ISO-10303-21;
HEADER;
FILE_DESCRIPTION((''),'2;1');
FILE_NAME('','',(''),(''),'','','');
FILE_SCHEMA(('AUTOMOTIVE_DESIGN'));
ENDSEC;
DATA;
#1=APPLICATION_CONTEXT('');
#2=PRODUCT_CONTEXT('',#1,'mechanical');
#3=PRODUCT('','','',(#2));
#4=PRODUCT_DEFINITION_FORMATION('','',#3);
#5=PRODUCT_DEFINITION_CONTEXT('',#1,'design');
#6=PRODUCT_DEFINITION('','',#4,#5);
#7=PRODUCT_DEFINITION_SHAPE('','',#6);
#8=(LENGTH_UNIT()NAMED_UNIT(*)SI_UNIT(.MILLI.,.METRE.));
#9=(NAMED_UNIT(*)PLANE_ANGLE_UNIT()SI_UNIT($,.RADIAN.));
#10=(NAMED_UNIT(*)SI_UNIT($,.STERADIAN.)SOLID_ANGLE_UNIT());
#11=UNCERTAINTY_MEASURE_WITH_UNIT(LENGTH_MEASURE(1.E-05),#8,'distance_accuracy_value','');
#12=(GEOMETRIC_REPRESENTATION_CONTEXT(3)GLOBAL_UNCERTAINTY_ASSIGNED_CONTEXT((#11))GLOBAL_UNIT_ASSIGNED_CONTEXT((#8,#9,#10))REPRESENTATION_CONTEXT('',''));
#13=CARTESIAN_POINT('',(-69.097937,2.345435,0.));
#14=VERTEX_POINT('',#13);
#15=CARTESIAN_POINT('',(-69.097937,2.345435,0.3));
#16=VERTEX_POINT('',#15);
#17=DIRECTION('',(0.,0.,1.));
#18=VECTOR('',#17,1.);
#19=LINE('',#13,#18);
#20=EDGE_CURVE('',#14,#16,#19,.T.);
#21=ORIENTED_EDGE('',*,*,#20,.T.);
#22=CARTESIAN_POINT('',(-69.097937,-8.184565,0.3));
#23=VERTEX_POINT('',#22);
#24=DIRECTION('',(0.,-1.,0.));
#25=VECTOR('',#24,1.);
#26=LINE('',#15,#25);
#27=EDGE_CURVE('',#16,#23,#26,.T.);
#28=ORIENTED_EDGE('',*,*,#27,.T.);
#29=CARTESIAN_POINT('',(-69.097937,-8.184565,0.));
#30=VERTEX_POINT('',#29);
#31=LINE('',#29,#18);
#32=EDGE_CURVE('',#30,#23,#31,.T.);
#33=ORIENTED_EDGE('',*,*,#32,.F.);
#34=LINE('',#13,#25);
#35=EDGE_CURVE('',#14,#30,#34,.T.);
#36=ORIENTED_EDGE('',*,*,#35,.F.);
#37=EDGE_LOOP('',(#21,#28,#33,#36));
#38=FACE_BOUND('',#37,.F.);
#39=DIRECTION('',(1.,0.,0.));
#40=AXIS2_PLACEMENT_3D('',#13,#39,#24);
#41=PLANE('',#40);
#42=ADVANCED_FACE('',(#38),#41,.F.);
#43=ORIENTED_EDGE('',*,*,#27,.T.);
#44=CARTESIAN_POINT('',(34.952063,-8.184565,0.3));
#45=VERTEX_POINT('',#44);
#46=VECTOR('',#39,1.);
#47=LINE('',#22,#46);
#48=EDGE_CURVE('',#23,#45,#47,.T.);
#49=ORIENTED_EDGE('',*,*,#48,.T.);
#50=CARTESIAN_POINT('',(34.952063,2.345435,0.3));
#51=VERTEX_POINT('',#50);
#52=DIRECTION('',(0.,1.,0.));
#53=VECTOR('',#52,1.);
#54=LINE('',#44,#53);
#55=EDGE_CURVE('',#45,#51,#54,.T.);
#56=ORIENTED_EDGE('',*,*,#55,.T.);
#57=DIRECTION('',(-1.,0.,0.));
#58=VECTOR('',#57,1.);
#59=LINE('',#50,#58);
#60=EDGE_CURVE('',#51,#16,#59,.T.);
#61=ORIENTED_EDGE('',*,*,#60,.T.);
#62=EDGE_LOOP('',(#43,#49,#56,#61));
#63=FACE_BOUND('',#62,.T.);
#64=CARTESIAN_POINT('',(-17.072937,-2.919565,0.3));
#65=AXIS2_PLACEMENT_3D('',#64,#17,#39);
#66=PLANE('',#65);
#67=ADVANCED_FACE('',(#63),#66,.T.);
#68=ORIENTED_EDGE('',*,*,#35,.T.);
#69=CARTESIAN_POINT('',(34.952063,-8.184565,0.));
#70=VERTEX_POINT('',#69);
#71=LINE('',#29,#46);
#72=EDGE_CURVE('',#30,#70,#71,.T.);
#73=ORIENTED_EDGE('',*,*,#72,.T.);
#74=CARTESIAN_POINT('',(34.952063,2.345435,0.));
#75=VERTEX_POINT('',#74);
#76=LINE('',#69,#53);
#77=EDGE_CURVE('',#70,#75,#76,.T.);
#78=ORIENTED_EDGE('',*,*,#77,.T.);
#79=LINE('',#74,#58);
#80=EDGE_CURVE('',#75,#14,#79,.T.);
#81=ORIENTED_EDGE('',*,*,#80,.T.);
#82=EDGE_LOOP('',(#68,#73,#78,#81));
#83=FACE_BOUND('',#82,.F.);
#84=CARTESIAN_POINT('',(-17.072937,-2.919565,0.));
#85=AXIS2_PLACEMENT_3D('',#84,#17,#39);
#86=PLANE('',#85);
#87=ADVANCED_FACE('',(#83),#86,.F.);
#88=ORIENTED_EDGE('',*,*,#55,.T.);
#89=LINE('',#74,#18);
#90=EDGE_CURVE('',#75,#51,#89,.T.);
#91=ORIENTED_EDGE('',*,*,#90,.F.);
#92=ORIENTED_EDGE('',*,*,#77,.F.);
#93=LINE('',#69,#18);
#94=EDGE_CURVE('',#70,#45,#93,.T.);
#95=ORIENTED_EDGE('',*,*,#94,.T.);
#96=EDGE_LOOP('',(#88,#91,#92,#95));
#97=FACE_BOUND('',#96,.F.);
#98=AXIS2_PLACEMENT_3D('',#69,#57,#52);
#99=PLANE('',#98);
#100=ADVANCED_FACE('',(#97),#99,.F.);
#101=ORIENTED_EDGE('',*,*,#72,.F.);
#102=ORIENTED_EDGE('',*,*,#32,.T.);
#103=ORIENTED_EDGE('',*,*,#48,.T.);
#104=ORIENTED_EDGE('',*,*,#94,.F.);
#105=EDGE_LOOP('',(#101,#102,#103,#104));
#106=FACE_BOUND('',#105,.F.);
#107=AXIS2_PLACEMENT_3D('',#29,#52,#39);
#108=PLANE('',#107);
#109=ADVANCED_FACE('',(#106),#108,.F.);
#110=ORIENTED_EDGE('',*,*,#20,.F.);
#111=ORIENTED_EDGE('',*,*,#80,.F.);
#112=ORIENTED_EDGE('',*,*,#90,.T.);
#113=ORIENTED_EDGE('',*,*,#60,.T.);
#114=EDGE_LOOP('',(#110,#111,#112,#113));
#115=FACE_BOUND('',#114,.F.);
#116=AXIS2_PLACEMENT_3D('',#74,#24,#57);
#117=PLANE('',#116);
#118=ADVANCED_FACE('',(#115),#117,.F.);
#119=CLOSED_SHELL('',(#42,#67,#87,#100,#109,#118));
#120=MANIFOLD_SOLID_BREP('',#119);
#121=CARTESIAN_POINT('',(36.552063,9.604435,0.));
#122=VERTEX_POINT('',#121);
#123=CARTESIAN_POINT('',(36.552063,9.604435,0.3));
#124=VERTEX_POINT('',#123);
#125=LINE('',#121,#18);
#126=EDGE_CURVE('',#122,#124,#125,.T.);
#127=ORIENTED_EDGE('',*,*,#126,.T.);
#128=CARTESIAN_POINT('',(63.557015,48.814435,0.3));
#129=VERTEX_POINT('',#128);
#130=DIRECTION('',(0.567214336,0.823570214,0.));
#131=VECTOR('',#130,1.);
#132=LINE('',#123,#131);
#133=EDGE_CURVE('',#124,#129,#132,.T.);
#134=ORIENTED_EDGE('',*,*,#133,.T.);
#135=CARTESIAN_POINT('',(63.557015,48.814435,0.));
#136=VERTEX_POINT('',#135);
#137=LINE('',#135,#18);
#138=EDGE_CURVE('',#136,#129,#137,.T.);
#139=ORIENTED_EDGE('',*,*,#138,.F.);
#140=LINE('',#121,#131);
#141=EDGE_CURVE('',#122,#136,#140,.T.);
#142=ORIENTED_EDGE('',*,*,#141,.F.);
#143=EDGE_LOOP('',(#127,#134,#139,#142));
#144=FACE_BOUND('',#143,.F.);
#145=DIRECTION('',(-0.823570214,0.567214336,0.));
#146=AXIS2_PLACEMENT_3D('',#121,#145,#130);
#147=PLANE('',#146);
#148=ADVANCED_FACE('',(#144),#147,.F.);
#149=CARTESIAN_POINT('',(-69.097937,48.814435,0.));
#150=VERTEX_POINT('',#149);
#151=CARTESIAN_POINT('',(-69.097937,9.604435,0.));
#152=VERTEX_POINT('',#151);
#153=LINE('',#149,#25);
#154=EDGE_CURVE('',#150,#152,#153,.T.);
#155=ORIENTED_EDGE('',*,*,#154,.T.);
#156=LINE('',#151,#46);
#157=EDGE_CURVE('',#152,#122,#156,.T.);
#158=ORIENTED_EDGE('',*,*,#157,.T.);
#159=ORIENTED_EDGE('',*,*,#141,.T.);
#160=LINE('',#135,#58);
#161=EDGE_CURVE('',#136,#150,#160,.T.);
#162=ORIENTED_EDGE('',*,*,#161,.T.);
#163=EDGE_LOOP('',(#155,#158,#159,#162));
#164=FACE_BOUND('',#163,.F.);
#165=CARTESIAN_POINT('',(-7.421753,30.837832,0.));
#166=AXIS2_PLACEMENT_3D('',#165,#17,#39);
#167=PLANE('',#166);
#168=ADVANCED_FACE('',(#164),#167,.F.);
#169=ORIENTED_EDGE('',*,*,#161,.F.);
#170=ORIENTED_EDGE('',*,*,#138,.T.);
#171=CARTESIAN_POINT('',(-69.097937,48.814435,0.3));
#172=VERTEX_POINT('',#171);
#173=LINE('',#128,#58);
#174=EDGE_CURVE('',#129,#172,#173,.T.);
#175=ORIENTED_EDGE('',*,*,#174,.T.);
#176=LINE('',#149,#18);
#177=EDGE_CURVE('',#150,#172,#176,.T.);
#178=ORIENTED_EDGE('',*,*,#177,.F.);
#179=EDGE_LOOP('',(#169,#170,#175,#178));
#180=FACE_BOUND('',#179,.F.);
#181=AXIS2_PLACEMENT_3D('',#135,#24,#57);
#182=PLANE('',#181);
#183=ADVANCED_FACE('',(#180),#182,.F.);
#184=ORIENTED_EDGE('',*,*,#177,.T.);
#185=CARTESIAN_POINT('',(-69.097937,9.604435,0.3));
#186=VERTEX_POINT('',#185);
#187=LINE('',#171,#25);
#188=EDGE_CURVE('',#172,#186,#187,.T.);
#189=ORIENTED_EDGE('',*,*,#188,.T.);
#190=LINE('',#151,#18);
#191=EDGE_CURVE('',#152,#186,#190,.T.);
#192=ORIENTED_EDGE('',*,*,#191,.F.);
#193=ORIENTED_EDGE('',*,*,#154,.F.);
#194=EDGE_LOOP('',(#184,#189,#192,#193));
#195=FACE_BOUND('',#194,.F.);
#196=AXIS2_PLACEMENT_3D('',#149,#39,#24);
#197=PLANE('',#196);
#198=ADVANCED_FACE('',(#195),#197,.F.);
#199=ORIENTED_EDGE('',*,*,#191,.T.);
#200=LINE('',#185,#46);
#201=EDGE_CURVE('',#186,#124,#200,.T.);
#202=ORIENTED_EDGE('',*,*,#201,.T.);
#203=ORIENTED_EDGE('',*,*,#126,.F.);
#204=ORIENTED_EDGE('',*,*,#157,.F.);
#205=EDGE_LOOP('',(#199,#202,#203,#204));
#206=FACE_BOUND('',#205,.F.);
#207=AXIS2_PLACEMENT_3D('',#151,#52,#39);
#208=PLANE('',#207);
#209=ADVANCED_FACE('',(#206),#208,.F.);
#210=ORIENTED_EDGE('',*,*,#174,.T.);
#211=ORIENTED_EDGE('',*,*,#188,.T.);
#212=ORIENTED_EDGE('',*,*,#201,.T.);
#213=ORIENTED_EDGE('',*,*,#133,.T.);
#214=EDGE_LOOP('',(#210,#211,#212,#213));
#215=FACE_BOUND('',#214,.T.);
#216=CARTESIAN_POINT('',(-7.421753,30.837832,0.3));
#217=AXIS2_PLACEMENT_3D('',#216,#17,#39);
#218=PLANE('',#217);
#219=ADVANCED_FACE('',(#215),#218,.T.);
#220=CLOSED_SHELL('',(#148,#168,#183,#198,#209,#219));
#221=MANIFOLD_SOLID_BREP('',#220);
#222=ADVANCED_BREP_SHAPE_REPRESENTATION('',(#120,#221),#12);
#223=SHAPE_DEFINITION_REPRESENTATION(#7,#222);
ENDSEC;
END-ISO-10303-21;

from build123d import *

# Parameters (mm, degrees)
F1_DEPTH = 0.3
F2_DEPTH = 0.3


with BuildPart() as f1:
    # F0 (on Top) → F1 (new body)
    with BuildSketch(Plane.XY):
        Polygon((33.552063, 2.345435), (-69.097937, 2.345435), (-69.097937, -8.184565), (33.552063, -8.184565), (33.952063, -8.184565), (34.952063, -8.184565), (34.952063, 2.345435), (33.952063, 2.345435), align=None)
    extrude(amount=F1_DEPTH)


with BuildPart() as f2:
    # F0 (on Top) → F2 (new body)
    with BuildSketch(Plane.XY):
        Polygon((-69.097937, 48.814435), (-69.097937, 9.604435), (36.552063, 9.604435), (63.557015, 48.814435), (54.341063, 48.814435), align=None)
    extrude(amount=F2_DEPTH)


solid = Compound([f1.part, f2.part])
